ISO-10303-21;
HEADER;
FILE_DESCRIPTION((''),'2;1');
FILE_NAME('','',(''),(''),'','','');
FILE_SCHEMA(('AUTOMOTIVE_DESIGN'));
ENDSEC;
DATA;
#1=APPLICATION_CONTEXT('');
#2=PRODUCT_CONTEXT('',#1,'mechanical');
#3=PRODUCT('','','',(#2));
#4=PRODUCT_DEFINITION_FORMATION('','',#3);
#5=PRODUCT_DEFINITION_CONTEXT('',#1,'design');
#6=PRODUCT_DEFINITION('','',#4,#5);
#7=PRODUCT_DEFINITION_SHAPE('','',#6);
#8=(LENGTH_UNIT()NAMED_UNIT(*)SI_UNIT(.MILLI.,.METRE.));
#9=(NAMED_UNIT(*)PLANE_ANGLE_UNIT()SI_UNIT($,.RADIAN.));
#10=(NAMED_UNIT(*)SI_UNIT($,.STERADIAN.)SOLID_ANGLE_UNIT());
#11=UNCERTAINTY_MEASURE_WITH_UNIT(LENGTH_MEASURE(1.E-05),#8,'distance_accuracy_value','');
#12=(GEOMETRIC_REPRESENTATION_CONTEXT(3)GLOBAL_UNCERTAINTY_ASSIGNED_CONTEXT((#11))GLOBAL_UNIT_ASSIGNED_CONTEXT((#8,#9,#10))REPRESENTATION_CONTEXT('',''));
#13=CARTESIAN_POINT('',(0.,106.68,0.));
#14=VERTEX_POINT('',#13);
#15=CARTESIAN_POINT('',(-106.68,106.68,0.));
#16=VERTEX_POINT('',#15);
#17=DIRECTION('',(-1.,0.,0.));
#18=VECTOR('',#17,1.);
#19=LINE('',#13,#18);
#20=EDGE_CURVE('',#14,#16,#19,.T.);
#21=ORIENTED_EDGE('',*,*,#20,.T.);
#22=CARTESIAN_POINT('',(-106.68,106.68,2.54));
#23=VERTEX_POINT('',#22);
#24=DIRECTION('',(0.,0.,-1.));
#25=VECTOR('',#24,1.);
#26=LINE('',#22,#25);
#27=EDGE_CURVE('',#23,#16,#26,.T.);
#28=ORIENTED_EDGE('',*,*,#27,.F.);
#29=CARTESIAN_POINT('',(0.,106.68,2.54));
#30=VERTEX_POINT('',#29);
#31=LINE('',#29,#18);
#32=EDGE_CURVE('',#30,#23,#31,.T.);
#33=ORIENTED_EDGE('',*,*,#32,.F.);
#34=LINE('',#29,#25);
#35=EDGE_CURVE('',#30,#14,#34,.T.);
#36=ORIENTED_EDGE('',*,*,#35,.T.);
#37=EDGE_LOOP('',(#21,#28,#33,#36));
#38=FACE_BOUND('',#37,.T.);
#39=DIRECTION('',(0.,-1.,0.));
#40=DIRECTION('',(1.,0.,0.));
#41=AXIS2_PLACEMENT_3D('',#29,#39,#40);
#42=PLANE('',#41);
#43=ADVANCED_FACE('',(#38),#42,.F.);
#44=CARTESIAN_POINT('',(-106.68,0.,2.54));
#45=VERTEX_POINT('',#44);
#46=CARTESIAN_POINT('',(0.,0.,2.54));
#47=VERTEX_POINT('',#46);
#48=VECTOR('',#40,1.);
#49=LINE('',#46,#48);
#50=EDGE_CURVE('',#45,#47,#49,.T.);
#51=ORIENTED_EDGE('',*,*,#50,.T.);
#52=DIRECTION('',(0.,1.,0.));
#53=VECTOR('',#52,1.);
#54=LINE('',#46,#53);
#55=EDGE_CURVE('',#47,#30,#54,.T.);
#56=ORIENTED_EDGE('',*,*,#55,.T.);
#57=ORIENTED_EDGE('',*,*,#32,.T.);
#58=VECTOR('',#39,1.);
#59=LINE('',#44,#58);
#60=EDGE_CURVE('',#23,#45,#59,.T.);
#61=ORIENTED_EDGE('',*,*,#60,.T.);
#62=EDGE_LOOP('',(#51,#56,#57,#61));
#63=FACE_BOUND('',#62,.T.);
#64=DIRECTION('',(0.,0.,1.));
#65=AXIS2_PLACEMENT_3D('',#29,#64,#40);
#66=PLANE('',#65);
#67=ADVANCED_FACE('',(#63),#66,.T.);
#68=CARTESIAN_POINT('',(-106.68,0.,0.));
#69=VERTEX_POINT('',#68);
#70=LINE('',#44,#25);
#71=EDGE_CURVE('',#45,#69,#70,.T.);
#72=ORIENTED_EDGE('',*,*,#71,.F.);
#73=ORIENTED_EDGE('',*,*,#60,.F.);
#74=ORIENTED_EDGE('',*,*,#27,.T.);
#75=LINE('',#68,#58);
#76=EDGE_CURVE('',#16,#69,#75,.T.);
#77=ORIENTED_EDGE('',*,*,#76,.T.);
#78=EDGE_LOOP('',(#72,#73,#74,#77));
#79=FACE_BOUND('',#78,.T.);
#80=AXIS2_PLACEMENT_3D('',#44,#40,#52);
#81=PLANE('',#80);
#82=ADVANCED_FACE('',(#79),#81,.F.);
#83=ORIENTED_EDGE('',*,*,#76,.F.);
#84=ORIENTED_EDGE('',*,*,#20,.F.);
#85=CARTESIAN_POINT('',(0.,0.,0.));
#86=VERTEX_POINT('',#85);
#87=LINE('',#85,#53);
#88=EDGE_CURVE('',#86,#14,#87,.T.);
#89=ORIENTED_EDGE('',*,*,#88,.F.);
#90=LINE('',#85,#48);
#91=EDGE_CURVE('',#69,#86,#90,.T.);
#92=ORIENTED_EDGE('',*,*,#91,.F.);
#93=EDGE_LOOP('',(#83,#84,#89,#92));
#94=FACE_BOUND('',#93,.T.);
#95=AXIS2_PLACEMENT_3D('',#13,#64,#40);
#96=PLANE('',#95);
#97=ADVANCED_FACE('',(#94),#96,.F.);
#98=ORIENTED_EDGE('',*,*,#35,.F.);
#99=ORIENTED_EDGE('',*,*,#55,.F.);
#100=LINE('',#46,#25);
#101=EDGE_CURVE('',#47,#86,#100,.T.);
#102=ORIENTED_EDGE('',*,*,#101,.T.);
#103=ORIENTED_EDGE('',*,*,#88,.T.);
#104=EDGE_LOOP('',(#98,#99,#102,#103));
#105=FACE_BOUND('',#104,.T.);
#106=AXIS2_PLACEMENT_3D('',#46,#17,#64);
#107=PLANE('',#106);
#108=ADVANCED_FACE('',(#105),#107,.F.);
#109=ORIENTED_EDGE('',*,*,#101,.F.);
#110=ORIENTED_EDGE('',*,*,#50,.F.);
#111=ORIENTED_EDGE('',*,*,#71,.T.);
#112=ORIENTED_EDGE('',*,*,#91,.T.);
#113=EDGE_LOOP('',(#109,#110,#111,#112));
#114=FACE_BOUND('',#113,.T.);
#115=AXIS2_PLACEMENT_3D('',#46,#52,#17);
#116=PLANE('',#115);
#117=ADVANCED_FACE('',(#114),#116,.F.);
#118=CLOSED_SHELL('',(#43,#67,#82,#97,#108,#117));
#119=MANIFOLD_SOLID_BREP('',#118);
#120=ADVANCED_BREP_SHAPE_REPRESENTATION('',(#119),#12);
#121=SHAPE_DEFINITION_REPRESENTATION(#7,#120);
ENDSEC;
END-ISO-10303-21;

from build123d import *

# Parameters (mm, degrees)
SKETCH1_W           = 106.68
SKETCH1_H           = 106.68
BOSS_EXTRUDE1_DEPTH = 2.54


with BuildPart() as part:
    # Sketch1 → Boss-Extrude1 (new body)
    with BuildSketch(Plane.XY):
        with Locations((-53.34, 53.34)):
            Rectangle(SKETCH1_W, SKETCH1_H)
    extrude(amount=BOSS_EXTRUDE1_DEPTH)


solid = part.part
